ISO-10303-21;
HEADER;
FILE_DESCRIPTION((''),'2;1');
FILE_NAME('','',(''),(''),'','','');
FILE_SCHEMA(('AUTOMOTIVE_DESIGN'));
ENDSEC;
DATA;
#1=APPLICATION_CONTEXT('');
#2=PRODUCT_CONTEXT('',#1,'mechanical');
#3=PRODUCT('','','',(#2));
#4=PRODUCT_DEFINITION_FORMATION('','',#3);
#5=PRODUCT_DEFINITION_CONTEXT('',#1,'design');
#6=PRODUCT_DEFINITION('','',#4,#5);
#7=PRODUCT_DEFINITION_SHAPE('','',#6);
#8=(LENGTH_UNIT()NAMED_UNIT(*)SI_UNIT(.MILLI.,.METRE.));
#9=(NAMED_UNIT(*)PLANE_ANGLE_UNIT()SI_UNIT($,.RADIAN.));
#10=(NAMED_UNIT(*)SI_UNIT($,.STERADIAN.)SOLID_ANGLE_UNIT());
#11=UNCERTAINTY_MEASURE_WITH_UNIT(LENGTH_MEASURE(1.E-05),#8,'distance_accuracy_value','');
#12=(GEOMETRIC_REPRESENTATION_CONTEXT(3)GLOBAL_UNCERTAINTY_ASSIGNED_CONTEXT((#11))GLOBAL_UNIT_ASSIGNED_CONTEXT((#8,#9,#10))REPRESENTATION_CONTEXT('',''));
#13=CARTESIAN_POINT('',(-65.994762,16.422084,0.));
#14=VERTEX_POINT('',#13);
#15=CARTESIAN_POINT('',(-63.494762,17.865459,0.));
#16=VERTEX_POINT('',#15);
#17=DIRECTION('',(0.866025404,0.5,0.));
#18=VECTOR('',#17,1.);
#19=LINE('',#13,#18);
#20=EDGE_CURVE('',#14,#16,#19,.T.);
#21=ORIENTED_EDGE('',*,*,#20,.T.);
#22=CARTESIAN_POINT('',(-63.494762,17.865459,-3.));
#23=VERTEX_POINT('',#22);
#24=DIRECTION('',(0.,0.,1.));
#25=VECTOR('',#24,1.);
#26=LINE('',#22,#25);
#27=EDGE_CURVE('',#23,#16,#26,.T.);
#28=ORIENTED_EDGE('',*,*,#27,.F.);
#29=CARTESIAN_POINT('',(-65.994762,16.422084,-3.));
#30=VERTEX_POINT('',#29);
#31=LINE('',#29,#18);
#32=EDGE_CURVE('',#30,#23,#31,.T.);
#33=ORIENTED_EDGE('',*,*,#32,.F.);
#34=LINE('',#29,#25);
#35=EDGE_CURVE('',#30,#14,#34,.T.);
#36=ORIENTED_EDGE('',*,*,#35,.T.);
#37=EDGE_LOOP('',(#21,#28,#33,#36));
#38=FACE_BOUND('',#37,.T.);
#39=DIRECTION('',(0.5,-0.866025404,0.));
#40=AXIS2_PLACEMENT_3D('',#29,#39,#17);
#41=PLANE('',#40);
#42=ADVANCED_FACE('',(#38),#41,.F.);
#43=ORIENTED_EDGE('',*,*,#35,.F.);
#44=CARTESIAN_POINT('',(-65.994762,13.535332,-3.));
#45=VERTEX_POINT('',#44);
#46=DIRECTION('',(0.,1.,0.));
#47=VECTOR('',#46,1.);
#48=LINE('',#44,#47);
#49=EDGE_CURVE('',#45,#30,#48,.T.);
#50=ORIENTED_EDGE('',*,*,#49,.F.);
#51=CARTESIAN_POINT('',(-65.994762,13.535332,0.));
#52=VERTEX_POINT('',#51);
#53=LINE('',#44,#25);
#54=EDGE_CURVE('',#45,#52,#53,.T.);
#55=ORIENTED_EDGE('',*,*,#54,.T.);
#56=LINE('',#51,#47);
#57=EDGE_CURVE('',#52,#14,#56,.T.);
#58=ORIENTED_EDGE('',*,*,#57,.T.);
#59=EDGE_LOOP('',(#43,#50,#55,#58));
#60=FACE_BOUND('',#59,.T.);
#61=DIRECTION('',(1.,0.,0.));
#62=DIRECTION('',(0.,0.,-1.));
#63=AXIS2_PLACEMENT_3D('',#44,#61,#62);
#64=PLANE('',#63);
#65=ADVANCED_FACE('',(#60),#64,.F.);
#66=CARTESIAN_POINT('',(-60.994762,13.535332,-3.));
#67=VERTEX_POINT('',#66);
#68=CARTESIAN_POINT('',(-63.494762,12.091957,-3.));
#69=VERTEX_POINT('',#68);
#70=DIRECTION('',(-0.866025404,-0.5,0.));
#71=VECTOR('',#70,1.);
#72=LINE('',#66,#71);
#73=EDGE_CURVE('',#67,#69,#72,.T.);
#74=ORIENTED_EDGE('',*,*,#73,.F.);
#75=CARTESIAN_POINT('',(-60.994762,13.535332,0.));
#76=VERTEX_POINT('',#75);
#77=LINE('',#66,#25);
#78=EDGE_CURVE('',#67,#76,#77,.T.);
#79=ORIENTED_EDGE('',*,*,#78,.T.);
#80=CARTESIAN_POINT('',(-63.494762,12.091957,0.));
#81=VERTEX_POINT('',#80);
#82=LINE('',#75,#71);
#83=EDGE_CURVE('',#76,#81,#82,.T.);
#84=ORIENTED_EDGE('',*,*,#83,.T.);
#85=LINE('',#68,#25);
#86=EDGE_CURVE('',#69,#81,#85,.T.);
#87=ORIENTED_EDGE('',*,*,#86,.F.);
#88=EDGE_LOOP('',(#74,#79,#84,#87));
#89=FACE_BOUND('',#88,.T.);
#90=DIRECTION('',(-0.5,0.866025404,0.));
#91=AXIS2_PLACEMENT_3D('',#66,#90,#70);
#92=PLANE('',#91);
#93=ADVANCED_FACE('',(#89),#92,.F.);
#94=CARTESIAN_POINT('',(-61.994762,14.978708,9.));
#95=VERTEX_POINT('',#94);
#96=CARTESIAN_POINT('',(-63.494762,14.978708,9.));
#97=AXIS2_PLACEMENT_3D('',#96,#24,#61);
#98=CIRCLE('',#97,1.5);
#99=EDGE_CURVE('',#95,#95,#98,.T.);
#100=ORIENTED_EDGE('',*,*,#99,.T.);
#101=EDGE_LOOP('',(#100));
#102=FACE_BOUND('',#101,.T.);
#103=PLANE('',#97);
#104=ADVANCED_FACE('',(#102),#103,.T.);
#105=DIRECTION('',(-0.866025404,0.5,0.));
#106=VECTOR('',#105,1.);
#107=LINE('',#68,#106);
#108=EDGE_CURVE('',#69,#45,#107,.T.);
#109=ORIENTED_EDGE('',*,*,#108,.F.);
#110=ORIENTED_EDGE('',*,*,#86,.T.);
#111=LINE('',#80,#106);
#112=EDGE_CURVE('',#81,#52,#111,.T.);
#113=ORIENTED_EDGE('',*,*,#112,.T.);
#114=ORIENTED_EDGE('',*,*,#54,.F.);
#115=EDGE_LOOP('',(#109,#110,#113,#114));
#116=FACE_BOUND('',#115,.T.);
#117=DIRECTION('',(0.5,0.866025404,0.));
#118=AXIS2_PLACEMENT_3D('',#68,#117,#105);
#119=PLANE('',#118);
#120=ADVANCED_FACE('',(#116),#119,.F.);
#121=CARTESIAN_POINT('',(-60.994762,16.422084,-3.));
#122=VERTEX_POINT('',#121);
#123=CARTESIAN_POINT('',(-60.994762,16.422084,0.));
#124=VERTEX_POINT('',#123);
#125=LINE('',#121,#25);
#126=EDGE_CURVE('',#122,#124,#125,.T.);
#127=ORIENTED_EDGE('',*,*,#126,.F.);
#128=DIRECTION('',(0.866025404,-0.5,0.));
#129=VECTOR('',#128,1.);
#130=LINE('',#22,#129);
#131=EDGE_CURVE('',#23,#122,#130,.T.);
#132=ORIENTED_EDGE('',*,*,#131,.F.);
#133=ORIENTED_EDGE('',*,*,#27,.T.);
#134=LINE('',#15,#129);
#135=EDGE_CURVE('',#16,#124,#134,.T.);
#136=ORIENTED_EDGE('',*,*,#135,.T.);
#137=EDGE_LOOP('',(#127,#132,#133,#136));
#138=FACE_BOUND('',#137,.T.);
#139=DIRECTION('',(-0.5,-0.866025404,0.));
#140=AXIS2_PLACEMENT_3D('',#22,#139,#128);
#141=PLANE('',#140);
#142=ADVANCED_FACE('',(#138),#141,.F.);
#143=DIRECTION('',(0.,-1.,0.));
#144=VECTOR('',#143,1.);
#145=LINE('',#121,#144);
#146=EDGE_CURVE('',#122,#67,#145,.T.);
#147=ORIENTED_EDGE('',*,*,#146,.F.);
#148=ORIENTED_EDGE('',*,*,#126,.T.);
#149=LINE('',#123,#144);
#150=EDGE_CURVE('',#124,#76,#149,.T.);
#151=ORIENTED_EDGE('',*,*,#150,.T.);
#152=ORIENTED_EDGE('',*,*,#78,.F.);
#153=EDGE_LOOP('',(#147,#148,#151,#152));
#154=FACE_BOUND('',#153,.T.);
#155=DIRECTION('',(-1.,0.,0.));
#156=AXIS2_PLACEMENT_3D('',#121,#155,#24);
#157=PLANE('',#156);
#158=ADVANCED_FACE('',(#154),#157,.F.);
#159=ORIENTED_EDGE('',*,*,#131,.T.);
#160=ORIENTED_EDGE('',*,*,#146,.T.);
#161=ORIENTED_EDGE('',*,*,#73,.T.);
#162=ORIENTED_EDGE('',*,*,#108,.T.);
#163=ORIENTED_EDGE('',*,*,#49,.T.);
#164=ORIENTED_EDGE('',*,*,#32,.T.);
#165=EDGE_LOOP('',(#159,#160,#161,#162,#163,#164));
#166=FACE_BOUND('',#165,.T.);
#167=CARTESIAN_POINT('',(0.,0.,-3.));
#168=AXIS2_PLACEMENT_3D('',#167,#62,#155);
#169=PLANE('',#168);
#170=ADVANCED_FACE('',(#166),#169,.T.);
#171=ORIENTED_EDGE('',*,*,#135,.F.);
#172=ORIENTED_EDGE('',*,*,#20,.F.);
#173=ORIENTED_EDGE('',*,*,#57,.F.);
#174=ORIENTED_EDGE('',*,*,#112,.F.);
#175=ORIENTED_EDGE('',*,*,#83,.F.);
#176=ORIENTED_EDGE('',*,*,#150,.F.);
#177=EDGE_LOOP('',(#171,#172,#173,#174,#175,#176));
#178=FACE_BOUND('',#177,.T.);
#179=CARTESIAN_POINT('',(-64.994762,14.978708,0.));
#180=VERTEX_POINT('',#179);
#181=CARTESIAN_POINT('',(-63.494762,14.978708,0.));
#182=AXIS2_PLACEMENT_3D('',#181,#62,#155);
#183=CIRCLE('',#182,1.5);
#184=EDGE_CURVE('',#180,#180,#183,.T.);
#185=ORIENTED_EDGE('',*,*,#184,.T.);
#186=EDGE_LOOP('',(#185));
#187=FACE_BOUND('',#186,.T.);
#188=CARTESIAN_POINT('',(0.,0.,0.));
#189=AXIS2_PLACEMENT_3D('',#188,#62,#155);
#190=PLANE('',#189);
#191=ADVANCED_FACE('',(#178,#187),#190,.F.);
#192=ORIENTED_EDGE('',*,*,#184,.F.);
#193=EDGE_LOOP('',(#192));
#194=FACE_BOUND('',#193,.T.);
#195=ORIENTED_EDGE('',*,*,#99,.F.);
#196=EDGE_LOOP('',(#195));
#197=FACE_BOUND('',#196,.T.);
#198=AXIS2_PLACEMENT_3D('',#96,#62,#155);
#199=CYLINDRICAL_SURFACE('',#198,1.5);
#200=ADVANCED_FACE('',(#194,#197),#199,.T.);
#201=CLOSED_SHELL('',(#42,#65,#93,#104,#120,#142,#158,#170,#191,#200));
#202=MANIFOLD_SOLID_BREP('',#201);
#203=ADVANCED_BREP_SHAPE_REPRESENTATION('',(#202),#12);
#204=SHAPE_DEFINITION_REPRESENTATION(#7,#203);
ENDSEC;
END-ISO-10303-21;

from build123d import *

# Parameters (mm, degrees)
SKETCH1_R           = 1.5
BOSS_EXTRUDE1_DEPTH = 9
BOSS_EXTRUDE2_DEPTH = 3


with BuildPart() as part:
    # Sketch1 → Boss-Extrude1 (new body)
    with BuildSketch(Plane.XY):
        with Locations((-63.49476159, 14.978708134)):
            Circle(SKETCH1_R)
    extrude(amount=BOSS_EXTRUDE1_DEPTH)

    # Sketch2 → Boss-Extrude2 (add)
    with BuildSketch(Plane(origin=(0, 0, 0), x_dir=(-1, 0, 0), z_dir=(0, 0, -1))):
        Polygon((63.49476159, 12.091956788), (65.99476159, 13.535332461), (65.99476159, 16.422083807), (63.49476159, 17.86545948), (60.99476159, 16.422083807), (60.99476159, 13.535332461), align=None)
    extrude(amount=BOSS_EXTRUDE2_DEPTH)


solid = part.part
